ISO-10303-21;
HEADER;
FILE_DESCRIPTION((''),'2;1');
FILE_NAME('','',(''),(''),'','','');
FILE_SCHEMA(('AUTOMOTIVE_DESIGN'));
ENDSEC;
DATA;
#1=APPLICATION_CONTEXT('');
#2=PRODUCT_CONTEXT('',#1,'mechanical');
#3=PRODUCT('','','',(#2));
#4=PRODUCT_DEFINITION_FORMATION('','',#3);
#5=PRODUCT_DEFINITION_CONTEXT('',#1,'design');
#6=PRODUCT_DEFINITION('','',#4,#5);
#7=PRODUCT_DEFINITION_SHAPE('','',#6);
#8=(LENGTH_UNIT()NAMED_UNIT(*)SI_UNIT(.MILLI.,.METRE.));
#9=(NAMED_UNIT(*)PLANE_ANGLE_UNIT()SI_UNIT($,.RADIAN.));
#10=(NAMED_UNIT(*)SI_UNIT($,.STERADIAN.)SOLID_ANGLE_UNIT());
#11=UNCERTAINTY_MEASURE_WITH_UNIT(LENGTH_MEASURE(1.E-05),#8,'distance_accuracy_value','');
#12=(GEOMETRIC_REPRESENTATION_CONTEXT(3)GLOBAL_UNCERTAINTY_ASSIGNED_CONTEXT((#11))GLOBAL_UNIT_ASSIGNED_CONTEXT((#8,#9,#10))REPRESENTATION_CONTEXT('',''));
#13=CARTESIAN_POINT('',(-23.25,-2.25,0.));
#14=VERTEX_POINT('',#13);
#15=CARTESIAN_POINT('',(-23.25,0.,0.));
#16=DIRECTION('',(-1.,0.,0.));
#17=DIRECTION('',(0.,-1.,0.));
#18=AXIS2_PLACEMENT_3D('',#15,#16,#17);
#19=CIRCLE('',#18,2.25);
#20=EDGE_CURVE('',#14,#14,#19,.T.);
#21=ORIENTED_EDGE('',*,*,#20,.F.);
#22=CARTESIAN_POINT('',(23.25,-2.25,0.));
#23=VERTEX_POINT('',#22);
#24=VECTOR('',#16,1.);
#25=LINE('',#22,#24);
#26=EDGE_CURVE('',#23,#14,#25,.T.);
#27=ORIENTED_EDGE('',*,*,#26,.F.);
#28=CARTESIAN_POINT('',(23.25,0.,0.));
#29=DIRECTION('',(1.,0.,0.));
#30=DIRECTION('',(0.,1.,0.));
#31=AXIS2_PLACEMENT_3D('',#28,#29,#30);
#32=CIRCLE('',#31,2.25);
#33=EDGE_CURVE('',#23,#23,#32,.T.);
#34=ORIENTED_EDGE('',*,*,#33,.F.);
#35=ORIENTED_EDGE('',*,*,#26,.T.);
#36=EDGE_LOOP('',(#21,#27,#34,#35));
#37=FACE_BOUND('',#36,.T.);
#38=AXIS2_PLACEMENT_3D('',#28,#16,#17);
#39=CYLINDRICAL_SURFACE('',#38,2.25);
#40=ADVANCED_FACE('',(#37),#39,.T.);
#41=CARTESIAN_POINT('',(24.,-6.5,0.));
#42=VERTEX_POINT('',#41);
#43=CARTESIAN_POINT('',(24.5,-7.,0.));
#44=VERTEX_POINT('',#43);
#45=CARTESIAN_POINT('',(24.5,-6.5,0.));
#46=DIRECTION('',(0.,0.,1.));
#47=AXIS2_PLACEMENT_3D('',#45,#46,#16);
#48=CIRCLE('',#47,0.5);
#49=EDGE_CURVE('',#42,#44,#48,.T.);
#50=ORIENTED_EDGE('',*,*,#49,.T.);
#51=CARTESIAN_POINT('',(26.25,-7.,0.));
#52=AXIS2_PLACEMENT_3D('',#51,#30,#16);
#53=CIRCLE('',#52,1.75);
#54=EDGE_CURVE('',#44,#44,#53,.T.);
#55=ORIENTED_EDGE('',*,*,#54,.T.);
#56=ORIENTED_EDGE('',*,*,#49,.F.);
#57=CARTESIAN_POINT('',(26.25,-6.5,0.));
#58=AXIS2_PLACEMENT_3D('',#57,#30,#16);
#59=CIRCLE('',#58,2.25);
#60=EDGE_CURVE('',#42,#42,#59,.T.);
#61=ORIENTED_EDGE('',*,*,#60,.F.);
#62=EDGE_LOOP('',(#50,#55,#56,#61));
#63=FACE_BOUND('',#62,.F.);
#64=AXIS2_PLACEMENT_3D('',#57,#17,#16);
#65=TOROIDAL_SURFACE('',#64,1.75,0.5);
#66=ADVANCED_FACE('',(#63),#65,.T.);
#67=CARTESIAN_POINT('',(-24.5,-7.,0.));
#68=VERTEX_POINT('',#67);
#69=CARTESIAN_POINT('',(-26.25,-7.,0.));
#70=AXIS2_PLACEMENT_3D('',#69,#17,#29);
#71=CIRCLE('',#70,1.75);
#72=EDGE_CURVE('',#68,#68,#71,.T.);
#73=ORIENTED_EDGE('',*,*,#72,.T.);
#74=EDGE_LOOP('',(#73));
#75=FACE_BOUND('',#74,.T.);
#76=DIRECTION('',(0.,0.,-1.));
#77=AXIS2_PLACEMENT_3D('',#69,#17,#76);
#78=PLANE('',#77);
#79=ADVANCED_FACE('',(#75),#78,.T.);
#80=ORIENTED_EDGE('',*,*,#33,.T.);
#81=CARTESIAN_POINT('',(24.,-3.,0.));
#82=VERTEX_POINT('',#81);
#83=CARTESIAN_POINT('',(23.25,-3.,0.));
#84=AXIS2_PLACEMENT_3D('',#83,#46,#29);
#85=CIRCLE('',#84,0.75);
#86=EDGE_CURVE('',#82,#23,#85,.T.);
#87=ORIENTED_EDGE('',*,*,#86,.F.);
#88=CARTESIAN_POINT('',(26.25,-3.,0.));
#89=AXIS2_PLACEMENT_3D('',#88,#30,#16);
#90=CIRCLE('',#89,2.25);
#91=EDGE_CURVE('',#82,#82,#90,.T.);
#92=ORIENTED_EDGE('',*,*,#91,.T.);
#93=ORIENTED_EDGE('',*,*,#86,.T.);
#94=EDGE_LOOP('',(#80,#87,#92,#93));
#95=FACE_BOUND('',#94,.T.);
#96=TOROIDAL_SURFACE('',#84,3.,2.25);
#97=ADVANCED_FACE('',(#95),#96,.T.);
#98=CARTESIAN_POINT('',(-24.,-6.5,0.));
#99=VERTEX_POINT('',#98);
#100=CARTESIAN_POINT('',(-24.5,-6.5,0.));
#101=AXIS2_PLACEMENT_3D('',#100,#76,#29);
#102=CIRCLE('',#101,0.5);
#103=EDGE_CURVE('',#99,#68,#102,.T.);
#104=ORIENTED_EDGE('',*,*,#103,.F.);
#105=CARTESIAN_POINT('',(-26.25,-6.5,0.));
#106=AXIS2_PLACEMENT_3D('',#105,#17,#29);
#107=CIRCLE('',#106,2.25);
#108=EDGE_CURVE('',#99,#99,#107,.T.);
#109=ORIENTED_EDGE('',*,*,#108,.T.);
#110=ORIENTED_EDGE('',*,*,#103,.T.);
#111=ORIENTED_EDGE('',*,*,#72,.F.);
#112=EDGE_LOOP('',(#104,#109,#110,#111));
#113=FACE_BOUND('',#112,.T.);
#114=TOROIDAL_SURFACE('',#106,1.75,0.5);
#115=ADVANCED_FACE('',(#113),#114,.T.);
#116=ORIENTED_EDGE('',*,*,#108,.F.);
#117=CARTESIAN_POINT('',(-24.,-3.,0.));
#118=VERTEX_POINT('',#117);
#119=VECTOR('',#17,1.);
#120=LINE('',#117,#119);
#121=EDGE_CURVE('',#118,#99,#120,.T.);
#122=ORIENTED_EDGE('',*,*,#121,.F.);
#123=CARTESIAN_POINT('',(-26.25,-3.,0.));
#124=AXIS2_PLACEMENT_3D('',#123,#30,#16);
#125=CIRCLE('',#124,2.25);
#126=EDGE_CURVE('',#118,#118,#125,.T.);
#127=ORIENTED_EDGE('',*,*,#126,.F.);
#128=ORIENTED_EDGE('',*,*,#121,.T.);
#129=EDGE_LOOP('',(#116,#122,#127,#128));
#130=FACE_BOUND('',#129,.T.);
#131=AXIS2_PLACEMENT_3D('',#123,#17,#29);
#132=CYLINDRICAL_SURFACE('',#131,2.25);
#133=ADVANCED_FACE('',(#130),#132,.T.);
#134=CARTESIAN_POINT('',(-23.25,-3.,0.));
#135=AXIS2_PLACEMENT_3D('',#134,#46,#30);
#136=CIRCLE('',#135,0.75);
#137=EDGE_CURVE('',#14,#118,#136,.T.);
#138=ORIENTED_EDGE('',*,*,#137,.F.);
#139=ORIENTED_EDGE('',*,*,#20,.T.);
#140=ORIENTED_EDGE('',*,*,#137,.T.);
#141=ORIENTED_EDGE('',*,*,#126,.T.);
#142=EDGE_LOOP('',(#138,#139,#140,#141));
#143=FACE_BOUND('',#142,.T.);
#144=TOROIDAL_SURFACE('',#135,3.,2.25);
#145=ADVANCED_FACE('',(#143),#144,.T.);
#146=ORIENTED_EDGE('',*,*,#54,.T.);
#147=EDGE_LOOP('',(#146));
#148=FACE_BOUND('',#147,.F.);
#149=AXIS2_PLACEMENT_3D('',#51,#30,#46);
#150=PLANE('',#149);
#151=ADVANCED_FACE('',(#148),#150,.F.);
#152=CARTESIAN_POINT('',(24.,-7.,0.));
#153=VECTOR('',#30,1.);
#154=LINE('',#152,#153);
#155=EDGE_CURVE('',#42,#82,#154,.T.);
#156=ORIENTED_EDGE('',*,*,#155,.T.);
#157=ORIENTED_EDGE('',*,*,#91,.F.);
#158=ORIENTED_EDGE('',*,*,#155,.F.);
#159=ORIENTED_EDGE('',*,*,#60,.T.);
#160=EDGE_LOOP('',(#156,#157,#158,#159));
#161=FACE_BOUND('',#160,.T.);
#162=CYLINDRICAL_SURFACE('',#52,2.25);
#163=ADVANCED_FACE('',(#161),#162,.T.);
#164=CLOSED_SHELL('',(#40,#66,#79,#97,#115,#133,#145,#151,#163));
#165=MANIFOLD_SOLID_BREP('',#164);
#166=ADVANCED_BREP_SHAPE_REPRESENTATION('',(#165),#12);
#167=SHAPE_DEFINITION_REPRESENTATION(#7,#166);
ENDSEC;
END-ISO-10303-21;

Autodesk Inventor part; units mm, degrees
ref_plane "YZ Plane" through (0, 0, 0) normal (1, 0, 0) x (0, 1, 0)
ref_plane "XZ Plane" through (0, 0, 0) normal (0, 1, 0) x (-1, 0, 0)
sketch "Sketch2" plane through (0, 0, 0) normal (0, 0, 1) x (1, 0, 0)
  line L0 (-26.25, -7) -> (26.25, -7) construction
  line L1 (26.25, -7) -> (26.25, -3)
  line L2 (23.25, 0) -> (-23.25, 0)
  line L3 (-26.25, -3) -> (-26.25, -7)
  arc A0 (-23.25, 0) -> (-26.25, -3) centre (-23.25, -3) ccw
  arc A1 (26.25, -3) -> (23.25, 0) centre (23.25, -3) ccw
  point P0 (0, 0)
  point P1 (26.25, 0)
  point P2 (-26.25, 0)
  point P3 (0, 0)
  dimension "d11" = 52.5
  dimension "d12" = 7
  dimension "d13" = 3
ref_plane "Work Plane1" through (-26.25, -7, 0) normal (0, -1, 0) x (1, 0, 0)
sketch "Sketch3" plane through (-26.25, -7, 0) normal (0, -1, 0) x (1, 0, 0)
  circle A0 centre (0, 0) radius 2.25
  point P0 (26.25, 0)
  dimension "d14" = 4.5
sweep "Sweep1" add profiles "Sketch3" path "Sketch2"
fillet "Fillet1" radius 0.5 6 edges at (28.5, -7, 0) (28.5, -3, 0) (23.25, 2.25, 0) (-23.25, 2.25, 0) (-28.5, -3, 0) (-28.5, -7, 0)
properties part number "Solder Roll Support 3" material "SAE 1020"
